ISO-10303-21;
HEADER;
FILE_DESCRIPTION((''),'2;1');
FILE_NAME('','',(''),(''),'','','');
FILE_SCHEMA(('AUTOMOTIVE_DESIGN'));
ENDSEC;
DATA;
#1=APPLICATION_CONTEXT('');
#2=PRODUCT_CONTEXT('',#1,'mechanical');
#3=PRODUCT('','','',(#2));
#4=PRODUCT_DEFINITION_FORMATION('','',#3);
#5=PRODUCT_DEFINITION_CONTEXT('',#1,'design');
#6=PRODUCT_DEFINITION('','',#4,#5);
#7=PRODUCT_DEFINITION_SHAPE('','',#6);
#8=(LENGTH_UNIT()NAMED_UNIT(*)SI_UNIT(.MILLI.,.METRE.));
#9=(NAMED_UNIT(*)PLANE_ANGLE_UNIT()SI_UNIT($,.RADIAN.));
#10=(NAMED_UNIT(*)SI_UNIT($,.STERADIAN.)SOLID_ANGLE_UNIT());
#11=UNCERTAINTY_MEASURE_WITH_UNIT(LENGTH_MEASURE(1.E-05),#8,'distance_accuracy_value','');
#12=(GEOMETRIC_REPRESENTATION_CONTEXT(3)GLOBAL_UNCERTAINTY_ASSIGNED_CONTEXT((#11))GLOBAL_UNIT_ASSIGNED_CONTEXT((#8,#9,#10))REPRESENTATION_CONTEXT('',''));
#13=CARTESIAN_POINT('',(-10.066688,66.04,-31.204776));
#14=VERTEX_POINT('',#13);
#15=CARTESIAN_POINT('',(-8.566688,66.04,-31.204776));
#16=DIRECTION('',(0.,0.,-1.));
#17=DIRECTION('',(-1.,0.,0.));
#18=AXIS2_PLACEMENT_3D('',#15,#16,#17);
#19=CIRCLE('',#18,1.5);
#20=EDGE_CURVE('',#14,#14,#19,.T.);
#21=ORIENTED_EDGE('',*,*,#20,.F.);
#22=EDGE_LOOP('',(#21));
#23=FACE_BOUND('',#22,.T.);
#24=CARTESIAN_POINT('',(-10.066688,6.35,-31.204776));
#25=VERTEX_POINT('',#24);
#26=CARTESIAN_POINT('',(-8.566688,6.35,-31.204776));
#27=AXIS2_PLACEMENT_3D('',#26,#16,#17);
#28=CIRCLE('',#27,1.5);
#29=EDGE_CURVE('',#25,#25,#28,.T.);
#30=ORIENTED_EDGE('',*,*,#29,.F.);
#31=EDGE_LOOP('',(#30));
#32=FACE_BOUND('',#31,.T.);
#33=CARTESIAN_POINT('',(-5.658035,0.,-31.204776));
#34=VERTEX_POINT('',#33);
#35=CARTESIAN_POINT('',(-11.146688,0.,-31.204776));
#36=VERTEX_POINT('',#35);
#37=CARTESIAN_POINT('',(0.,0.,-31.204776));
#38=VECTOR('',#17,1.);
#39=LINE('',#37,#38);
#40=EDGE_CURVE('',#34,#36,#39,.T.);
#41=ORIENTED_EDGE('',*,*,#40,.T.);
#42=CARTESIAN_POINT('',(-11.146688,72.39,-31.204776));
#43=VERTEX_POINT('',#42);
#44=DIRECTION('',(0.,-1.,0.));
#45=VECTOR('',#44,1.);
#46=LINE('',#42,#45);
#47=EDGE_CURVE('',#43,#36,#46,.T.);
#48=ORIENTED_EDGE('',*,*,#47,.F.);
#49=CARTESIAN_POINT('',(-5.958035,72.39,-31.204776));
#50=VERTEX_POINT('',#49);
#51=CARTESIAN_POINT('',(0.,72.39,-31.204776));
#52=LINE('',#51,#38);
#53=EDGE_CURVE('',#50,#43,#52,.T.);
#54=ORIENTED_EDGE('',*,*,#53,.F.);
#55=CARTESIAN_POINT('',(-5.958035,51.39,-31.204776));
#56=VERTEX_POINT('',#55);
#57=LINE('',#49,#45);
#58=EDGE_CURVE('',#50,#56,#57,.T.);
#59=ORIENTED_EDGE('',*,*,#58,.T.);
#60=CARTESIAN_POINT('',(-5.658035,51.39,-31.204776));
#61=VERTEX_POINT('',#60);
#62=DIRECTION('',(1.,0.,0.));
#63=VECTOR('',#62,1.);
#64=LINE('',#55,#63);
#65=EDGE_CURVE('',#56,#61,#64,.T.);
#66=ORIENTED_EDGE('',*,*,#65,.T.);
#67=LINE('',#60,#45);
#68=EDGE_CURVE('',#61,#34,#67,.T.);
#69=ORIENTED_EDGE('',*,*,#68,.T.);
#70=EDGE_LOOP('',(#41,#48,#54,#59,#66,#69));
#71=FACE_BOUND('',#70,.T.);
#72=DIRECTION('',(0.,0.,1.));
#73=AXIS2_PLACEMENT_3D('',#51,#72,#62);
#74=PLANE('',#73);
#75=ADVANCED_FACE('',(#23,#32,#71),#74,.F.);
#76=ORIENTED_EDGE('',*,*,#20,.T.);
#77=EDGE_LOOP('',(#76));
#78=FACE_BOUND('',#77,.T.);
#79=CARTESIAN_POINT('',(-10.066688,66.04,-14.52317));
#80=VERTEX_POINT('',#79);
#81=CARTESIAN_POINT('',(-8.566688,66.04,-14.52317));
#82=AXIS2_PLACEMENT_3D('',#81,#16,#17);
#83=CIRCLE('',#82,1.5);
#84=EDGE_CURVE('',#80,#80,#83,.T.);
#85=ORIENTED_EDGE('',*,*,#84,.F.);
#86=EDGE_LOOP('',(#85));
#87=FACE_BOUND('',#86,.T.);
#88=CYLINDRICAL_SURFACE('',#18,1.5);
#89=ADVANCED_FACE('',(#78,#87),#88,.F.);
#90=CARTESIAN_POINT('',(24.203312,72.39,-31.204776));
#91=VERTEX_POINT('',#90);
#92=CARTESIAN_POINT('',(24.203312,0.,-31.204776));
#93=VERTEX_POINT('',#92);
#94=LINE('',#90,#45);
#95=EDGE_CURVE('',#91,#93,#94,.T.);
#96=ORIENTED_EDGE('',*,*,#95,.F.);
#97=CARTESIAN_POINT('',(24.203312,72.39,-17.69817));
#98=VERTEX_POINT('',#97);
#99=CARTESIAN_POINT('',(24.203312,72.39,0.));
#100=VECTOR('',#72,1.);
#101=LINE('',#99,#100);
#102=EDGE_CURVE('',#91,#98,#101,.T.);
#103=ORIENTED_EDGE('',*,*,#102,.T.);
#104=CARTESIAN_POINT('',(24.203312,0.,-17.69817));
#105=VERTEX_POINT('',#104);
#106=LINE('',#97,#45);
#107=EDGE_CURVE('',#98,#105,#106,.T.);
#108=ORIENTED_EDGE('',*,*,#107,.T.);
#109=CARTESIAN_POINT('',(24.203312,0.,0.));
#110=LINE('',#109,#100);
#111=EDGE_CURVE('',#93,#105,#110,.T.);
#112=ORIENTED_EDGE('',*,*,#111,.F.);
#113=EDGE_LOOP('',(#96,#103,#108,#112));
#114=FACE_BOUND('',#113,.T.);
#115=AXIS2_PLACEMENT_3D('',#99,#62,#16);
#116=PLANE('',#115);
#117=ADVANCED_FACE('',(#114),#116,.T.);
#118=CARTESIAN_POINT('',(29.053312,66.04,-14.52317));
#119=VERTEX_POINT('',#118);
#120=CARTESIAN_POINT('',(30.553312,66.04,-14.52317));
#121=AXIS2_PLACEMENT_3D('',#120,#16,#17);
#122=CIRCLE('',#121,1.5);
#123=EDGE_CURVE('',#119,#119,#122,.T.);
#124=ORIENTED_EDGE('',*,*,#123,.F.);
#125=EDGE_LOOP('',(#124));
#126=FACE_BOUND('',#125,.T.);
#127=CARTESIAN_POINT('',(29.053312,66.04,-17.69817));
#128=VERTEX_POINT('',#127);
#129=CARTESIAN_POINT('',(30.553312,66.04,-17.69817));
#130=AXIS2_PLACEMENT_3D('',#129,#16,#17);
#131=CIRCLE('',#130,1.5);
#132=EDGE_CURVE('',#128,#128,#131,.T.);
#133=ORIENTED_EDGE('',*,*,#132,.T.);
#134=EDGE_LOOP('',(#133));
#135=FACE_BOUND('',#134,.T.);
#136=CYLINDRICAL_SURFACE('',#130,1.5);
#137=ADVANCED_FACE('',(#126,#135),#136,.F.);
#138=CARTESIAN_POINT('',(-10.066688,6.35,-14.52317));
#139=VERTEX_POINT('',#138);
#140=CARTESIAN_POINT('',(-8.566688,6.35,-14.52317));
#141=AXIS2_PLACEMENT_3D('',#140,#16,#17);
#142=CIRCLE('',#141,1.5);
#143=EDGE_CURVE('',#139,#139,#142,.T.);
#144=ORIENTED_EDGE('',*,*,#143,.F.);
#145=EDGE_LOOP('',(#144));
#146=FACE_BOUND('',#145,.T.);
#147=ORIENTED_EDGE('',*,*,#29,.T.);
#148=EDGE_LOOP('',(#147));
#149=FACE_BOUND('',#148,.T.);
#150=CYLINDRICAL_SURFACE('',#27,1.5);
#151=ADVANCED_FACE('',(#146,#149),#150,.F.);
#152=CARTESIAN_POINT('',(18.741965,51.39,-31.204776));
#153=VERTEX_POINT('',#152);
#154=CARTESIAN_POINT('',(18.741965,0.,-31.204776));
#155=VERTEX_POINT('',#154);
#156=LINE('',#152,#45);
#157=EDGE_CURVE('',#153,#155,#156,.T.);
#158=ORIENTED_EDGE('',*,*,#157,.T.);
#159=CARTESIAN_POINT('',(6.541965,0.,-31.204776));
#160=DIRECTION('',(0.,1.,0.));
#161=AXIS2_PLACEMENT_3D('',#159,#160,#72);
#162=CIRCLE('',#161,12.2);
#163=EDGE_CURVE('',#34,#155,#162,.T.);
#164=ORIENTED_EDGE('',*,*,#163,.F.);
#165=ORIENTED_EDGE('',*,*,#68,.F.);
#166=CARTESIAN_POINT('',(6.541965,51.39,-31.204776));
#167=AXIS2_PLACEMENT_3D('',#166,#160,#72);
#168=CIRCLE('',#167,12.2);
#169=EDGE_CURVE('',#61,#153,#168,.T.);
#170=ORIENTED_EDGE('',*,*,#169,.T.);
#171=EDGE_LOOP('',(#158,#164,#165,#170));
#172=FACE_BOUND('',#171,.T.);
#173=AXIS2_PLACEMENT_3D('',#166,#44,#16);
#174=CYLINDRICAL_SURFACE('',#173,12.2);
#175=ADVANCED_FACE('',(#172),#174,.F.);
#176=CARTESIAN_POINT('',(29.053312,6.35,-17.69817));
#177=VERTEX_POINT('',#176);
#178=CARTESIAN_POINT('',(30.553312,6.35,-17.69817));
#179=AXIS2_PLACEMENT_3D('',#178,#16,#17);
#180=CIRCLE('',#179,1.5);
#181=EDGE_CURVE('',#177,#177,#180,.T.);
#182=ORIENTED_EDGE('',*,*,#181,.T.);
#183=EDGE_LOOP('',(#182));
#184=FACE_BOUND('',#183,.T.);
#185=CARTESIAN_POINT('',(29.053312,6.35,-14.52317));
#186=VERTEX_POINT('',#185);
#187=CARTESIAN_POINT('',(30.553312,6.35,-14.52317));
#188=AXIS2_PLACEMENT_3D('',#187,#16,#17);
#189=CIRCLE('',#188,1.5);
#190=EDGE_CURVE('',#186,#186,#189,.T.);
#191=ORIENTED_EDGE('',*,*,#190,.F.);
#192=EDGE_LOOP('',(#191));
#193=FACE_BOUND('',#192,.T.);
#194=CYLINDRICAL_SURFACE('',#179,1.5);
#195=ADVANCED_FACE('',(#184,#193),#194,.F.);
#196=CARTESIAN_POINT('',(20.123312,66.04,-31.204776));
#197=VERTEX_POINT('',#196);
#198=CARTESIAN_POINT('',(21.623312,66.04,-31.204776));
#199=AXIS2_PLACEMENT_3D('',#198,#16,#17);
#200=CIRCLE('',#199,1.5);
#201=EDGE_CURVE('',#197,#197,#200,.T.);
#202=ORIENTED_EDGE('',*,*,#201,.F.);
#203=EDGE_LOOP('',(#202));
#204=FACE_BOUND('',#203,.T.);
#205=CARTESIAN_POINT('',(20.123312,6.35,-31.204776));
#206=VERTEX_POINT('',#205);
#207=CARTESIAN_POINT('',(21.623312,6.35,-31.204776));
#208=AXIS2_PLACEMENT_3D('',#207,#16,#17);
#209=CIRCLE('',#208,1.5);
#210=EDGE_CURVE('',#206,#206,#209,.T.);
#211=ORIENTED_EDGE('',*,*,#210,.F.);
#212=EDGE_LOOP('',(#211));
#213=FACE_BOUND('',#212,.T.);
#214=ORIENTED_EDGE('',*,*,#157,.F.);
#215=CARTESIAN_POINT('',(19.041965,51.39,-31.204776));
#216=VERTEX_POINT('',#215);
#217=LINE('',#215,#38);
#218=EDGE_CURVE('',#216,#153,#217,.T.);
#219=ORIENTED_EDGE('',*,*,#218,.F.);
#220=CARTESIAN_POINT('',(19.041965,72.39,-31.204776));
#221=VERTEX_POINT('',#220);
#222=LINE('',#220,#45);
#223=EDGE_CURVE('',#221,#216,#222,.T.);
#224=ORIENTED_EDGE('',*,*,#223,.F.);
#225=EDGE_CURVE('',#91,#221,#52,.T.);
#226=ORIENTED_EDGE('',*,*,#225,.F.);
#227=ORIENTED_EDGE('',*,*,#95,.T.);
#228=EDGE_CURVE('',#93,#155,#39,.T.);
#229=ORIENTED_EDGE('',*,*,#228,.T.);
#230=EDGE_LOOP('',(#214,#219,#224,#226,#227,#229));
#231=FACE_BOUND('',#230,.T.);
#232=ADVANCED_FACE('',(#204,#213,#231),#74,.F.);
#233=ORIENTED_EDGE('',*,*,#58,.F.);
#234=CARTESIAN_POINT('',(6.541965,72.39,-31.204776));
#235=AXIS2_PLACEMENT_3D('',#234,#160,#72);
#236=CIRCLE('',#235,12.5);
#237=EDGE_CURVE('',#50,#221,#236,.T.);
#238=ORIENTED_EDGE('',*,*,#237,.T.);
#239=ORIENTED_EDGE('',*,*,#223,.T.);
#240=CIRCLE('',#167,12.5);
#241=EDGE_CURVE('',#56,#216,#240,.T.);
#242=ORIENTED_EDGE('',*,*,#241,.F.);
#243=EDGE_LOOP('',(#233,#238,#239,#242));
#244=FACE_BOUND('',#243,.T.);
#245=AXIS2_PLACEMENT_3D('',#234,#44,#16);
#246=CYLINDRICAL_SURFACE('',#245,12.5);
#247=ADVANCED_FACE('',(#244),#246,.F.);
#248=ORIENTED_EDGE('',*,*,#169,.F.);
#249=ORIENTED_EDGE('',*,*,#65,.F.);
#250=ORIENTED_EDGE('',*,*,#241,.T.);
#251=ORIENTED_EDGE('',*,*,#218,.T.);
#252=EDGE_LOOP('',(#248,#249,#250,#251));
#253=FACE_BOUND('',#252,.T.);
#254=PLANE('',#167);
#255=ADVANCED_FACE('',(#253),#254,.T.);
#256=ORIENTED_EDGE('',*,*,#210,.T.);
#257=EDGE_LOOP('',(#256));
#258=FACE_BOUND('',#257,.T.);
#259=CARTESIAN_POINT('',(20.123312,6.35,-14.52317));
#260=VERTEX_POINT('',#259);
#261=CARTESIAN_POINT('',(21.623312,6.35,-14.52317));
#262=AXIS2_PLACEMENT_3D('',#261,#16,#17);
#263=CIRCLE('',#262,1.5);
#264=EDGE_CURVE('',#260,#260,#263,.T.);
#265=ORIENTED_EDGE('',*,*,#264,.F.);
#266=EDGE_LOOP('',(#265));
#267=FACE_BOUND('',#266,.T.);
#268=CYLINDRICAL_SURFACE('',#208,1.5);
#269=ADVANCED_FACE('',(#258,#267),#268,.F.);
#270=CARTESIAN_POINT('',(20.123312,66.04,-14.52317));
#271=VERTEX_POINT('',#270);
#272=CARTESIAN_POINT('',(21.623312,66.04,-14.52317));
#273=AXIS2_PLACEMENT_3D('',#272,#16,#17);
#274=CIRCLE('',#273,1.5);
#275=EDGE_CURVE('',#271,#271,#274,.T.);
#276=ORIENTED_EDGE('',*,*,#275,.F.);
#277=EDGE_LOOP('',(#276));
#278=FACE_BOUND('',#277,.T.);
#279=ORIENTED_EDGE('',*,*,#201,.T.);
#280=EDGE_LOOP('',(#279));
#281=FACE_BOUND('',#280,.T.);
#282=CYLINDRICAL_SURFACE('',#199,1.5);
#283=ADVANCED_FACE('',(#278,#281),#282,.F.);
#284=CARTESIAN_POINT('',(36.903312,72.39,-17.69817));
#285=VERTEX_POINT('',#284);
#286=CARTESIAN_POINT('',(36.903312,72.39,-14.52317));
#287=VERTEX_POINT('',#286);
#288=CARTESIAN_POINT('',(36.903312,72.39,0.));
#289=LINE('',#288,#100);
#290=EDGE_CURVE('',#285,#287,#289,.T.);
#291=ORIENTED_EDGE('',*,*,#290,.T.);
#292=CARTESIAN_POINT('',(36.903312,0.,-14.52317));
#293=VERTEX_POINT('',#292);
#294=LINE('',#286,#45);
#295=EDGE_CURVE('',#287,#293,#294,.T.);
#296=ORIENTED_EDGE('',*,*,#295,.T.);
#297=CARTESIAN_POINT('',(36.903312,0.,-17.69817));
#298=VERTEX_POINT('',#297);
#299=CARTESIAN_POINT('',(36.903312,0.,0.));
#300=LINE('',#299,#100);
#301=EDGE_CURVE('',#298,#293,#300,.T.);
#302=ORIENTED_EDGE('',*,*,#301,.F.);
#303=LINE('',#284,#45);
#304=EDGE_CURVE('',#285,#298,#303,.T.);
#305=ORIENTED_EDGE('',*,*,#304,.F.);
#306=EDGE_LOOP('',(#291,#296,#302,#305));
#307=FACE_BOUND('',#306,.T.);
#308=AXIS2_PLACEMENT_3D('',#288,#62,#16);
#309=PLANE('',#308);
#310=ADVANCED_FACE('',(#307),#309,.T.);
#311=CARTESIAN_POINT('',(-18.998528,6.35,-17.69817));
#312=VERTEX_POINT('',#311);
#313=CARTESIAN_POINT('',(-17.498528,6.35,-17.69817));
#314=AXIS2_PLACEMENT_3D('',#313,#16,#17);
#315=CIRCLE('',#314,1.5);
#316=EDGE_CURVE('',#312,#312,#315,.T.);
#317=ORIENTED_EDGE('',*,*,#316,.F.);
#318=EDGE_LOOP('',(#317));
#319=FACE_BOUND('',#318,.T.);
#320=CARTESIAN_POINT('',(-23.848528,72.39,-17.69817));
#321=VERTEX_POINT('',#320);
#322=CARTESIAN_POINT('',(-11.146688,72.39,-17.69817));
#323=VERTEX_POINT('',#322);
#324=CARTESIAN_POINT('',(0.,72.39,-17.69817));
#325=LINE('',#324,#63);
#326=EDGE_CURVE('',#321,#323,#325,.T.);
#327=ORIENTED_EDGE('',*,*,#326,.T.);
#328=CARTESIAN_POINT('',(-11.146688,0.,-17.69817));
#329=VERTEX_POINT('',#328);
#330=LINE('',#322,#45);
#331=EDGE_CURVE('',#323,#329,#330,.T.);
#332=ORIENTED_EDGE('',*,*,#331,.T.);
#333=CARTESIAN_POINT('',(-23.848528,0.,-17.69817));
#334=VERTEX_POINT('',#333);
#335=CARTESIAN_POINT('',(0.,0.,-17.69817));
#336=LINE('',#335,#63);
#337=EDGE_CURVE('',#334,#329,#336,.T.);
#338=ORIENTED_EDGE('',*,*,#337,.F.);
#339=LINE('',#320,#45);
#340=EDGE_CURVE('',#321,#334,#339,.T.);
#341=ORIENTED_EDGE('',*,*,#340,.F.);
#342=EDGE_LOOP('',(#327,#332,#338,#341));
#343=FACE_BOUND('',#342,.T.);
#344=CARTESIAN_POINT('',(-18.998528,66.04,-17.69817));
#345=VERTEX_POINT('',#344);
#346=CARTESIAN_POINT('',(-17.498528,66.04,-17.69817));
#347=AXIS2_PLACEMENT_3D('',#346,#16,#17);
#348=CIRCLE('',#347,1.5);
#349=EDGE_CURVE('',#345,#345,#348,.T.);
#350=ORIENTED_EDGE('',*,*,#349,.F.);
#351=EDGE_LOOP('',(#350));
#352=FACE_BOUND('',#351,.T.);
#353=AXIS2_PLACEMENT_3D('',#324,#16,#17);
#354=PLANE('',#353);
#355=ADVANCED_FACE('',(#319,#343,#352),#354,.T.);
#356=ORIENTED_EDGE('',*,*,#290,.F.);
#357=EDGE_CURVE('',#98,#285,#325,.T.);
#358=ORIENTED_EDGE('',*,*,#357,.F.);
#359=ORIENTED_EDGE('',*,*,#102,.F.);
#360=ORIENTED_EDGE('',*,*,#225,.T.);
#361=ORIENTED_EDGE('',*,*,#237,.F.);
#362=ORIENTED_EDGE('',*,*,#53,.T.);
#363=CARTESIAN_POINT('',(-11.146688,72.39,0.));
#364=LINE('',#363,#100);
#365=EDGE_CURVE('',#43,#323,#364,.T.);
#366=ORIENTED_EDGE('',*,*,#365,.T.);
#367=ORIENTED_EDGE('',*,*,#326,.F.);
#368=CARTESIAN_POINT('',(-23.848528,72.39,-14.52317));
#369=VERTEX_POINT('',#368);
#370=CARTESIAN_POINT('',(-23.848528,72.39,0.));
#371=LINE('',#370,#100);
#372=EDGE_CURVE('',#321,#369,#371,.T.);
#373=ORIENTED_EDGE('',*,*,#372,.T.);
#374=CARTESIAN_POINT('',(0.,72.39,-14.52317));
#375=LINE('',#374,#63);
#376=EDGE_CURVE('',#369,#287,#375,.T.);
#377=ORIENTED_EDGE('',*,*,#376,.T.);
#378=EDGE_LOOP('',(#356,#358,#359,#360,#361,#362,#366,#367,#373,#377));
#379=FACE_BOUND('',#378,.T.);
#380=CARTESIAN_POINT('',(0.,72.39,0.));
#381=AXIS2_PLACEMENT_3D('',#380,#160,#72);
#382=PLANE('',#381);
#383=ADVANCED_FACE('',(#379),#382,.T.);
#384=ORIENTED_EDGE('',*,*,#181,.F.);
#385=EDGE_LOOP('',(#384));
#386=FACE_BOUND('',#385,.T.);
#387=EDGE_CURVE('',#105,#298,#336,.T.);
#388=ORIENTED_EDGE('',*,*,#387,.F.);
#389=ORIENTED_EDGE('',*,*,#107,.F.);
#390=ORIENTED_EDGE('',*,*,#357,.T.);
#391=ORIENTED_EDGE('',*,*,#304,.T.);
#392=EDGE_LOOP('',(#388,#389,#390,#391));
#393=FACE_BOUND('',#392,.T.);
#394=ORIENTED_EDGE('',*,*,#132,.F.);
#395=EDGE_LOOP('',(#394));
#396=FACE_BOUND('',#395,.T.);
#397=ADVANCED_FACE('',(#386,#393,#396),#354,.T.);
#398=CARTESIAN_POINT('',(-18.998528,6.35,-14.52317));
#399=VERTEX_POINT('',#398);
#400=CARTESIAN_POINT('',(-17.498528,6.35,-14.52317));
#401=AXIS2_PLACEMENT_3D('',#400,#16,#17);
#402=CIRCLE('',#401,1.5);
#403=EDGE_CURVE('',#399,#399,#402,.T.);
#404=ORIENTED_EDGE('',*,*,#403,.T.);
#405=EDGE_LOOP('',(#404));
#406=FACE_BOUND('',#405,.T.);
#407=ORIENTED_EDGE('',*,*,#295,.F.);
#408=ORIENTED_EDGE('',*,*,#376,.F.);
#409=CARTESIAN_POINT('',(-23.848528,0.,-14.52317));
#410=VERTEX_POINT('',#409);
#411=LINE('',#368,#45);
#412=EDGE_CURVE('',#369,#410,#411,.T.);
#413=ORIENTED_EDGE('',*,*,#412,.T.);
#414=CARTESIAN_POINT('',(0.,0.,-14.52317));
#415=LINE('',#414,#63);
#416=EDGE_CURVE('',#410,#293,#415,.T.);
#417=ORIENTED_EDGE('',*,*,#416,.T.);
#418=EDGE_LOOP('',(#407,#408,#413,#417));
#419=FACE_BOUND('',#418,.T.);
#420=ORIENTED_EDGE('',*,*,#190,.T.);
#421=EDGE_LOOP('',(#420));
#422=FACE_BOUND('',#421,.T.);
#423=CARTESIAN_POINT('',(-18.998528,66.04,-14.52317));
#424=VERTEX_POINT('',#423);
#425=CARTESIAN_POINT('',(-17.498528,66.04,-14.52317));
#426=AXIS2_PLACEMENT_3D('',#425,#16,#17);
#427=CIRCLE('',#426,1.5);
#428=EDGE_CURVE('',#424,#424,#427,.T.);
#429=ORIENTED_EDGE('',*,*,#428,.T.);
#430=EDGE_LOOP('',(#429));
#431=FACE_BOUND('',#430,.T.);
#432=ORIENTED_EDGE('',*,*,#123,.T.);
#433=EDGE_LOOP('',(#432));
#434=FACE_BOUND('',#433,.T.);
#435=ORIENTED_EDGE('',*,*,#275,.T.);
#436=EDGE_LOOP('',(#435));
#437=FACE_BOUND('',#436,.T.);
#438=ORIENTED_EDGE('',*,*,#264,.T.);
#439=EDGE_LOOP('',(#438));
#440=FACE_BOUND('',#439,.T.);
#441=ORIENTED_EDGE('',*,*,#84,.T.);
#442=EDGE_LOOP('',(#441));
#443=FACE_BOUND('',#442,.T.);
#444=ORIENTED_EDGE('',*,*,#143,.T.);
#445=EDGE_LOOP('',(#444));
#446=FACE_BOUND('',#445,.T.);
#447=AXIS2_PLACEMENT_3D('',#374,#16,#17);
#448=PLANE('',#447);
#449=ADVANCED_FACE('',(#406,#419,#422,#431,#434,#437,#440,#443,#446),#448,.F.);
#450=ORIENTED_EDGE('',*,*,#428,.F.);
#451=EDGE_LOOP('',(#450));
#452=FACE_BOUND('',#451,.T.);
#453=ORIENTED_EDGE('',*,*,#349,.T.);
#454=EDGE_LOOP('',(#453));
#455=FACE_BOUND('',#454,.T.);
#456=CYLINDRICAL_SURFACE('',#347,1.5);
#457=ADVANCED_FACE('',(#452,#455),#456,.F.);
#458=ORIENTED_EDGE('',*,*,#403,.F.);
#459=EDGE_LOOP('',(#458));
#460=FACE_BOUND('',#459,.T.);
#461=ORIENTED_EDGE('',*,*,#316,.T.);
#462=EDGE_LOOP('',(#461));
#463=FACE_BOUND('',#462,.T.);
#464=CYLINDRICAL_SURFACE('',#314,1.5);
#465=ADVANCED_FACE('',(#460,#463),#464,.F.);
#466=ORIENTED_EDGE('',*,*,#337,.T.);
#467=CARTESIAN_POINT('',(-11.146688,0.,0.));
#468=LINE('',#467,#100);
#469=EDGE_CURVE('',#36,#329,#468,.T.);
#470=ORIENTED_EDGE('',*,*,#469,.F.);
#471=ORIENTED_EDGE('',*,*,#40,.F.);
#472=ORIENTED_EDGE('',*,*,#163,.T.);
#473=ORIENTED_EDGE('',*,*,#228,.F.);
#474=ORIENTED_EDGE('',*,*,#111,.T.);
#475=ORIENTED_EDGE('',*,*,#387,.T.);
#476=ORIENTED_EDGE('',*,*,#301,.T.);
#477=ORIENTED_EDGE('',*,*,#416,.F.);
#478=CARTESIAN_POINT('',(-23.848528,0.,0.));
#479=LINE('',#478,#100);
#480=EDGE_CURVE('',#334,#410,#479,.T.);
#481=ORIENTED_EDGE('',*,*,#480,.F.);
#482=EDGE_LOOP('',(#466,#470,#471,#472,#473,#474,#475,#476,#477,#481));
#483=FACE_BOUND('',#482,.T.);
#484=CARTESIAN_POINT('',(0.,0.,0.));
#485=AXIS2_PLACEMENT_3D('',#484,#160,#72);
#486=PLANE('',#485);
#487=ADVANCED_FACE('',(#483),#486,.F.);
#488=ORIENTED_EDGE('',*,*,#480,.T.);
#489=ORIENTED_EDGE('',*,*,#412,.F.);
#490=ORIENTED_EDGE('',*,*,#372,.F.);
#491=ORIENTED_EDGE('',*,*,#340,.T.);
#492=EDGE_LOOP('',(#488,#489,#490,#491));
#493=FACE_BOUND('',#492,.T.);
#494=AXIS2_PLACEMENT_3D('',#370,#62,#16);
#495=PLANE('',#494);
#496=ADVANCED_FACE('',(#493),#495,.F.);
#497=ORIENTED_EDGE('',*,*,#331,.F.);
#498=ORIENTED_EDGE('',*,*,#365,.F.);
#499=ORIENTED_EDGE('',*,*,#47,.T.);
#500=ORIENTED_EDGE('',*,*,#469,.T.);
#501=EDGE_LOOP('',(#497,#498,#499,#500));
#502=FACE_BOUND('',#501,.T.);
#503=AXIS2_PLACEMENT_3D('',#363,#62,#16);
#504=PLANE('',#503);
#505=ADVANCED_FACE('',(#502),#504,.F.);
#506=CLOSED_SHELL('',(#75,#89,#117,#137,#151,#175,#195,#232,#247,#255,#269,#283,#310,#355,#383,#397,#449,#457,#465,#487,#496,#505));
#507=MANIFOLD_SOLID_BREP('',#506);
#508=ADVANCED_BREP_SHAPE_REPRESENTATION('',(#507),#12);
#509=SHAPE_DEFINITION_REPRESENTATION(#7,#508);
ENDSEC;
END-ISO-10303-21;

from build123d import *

# Parameters (mm, degrees)
BOSS_EXTRUDE2_DEPTH       = 72.39
BOSS_EXTRUDE3_DEPTH       = 51.39
F_3_0MM_DOWEL_HOLE1_D     = 3
F_3_0MM_DOWEL_HOLE1_DEPTH = 10
F_3_0MM_DOWEL_HOLE1_TIP   = 0.901290929
F_3_0MM_DOWEL_HOLE2_D     = 3
F_3_0MM_DOWEL_HOLE2_DEPTH = 20
F_3_0MM_DOWEL_HOLE2_TIP   = 0.901290929


with BuildPart() as part:
    # Sketch1 → Boss-Extrude2 (new body)
    with BuildSketch(Plane(origin=(0, 0, 0), x_dir=(1, 0, 0), z_dir=(0, 1, 0))):
        with BuildLine():
            Line((-11.1466884, 17.698170271), (-23.8485284, 17.698170271))
            Line((-23.8485284, 17.698170271), (-23.8485284, 14.523170271))
            Line((-23.8485284, 14.523170271), (36.9033116, 14.523170271))
            Line((36.9033116, 14.523170271), (36.9033116, 17.698170271))
            Line((36.9033116, 17.698170271), (24.2033116, 17.698170271))
            Line((24.2033116, 17.698170271), (24.2033116, 31.204775661))
            Line((24.2033116, 31.204775661), (19.041964554, 31.204775661))
            ThreePointArc((19.041964554, 31.204775661), (6.541964554, 18.704775661), (-5.958035446, 31.204775661))
            Line((-5.958035446, 31.204775661), (-11.1466884, 31.204775661))
            Line((-11.1466884, 31.204775661), (-11.1466884, 17.698170271))
        make_face()
    extrude(amount=BOSS_EXTRUDE2_DEPTH)

    # Sketch1<16> → Boss-Extrude3 (add)
    with BuildSketch(Plane(origin=(0, 0, 0), x_dir=(1, 0, 0), z_dir=(0, 1, 0))):
        with BuildLine():
            Line((-5.958035446, 31.204775661), (-5.658035446, 31.204775661))
            ThreePointArc((-5.658035446, 31.204775661), (6.541964554, 19.004775661), (18.741964554, 31.204775661))
            Line((18.741964554, 31.204775661), (19.041964554, 31.204775661))
            ThreePointArc((19.041964554, 31.204775661), (6.541964554, 18.704775661), (-5.958035446, 31.204775661))
        make_face()
    extrude(amount=BOSS_EXTRUDE3_DEPTH)

    # Ø3.0mm Dowel Hole1
    with Locations(Plane(origin=(0, 0, -17.698170271), x_dir=(-1, 0, 0), z_dir=(0, 0, -1))):
        with Locations((-30.5533116, 66.04), (-30.5533116, 6.35), (17.4985284, 6.35), (17.4985284, 66.04)):
            Hole(F_3_0MM_DOWEL_HOLE1_D / 2, depth=F_3_0MM_DOWEL_HOLE1_DEPTH)
            with Locations((0, 0, -(F_3_0MM_DOWEL_HOLE1_DEPTH + F_3_0MM_DOWEL_HOLE1_TIP / 2))):  # 118° drill point
                Cone(0, F_3_0MM_DOWEL_HOLE1_D / 2, F_3_0MM_DOWEL_HOLE1_TIP, mode=Mode.SUBTRACT)

    # Ø3.0mm Dowel Hole2
    with Locations(Plane(origin=(0, 0, -31.204775661), x_dir=(-1, 0, 0), z_dir=(0, 0, -1))):
        with Locations((-21.6233116, 66.04), (-21.6233116, 6.35), (8.5666884, 6.35), (8.5666884, 66.04)):
            Hole(F_3_0MM_DOWEL_HOLE2_D / 2, depth=F_3_0MM_DOWEL_HOLE2_DEPTH)
            with Locations((0, 0, -(F_3_0MM_DOWEL_HOLE2_DEPTH + F_3_0MM_DOWEL_HOLE2_TIP / 2))):  # 118° drill point
                Cone(0, F_3_0MM_DOWEL_HOLE2_D / 2, F_3_0MM_DOWEL_HOLE2_TIP, mode=Mode.SUBTRACT)


solid = part.part
